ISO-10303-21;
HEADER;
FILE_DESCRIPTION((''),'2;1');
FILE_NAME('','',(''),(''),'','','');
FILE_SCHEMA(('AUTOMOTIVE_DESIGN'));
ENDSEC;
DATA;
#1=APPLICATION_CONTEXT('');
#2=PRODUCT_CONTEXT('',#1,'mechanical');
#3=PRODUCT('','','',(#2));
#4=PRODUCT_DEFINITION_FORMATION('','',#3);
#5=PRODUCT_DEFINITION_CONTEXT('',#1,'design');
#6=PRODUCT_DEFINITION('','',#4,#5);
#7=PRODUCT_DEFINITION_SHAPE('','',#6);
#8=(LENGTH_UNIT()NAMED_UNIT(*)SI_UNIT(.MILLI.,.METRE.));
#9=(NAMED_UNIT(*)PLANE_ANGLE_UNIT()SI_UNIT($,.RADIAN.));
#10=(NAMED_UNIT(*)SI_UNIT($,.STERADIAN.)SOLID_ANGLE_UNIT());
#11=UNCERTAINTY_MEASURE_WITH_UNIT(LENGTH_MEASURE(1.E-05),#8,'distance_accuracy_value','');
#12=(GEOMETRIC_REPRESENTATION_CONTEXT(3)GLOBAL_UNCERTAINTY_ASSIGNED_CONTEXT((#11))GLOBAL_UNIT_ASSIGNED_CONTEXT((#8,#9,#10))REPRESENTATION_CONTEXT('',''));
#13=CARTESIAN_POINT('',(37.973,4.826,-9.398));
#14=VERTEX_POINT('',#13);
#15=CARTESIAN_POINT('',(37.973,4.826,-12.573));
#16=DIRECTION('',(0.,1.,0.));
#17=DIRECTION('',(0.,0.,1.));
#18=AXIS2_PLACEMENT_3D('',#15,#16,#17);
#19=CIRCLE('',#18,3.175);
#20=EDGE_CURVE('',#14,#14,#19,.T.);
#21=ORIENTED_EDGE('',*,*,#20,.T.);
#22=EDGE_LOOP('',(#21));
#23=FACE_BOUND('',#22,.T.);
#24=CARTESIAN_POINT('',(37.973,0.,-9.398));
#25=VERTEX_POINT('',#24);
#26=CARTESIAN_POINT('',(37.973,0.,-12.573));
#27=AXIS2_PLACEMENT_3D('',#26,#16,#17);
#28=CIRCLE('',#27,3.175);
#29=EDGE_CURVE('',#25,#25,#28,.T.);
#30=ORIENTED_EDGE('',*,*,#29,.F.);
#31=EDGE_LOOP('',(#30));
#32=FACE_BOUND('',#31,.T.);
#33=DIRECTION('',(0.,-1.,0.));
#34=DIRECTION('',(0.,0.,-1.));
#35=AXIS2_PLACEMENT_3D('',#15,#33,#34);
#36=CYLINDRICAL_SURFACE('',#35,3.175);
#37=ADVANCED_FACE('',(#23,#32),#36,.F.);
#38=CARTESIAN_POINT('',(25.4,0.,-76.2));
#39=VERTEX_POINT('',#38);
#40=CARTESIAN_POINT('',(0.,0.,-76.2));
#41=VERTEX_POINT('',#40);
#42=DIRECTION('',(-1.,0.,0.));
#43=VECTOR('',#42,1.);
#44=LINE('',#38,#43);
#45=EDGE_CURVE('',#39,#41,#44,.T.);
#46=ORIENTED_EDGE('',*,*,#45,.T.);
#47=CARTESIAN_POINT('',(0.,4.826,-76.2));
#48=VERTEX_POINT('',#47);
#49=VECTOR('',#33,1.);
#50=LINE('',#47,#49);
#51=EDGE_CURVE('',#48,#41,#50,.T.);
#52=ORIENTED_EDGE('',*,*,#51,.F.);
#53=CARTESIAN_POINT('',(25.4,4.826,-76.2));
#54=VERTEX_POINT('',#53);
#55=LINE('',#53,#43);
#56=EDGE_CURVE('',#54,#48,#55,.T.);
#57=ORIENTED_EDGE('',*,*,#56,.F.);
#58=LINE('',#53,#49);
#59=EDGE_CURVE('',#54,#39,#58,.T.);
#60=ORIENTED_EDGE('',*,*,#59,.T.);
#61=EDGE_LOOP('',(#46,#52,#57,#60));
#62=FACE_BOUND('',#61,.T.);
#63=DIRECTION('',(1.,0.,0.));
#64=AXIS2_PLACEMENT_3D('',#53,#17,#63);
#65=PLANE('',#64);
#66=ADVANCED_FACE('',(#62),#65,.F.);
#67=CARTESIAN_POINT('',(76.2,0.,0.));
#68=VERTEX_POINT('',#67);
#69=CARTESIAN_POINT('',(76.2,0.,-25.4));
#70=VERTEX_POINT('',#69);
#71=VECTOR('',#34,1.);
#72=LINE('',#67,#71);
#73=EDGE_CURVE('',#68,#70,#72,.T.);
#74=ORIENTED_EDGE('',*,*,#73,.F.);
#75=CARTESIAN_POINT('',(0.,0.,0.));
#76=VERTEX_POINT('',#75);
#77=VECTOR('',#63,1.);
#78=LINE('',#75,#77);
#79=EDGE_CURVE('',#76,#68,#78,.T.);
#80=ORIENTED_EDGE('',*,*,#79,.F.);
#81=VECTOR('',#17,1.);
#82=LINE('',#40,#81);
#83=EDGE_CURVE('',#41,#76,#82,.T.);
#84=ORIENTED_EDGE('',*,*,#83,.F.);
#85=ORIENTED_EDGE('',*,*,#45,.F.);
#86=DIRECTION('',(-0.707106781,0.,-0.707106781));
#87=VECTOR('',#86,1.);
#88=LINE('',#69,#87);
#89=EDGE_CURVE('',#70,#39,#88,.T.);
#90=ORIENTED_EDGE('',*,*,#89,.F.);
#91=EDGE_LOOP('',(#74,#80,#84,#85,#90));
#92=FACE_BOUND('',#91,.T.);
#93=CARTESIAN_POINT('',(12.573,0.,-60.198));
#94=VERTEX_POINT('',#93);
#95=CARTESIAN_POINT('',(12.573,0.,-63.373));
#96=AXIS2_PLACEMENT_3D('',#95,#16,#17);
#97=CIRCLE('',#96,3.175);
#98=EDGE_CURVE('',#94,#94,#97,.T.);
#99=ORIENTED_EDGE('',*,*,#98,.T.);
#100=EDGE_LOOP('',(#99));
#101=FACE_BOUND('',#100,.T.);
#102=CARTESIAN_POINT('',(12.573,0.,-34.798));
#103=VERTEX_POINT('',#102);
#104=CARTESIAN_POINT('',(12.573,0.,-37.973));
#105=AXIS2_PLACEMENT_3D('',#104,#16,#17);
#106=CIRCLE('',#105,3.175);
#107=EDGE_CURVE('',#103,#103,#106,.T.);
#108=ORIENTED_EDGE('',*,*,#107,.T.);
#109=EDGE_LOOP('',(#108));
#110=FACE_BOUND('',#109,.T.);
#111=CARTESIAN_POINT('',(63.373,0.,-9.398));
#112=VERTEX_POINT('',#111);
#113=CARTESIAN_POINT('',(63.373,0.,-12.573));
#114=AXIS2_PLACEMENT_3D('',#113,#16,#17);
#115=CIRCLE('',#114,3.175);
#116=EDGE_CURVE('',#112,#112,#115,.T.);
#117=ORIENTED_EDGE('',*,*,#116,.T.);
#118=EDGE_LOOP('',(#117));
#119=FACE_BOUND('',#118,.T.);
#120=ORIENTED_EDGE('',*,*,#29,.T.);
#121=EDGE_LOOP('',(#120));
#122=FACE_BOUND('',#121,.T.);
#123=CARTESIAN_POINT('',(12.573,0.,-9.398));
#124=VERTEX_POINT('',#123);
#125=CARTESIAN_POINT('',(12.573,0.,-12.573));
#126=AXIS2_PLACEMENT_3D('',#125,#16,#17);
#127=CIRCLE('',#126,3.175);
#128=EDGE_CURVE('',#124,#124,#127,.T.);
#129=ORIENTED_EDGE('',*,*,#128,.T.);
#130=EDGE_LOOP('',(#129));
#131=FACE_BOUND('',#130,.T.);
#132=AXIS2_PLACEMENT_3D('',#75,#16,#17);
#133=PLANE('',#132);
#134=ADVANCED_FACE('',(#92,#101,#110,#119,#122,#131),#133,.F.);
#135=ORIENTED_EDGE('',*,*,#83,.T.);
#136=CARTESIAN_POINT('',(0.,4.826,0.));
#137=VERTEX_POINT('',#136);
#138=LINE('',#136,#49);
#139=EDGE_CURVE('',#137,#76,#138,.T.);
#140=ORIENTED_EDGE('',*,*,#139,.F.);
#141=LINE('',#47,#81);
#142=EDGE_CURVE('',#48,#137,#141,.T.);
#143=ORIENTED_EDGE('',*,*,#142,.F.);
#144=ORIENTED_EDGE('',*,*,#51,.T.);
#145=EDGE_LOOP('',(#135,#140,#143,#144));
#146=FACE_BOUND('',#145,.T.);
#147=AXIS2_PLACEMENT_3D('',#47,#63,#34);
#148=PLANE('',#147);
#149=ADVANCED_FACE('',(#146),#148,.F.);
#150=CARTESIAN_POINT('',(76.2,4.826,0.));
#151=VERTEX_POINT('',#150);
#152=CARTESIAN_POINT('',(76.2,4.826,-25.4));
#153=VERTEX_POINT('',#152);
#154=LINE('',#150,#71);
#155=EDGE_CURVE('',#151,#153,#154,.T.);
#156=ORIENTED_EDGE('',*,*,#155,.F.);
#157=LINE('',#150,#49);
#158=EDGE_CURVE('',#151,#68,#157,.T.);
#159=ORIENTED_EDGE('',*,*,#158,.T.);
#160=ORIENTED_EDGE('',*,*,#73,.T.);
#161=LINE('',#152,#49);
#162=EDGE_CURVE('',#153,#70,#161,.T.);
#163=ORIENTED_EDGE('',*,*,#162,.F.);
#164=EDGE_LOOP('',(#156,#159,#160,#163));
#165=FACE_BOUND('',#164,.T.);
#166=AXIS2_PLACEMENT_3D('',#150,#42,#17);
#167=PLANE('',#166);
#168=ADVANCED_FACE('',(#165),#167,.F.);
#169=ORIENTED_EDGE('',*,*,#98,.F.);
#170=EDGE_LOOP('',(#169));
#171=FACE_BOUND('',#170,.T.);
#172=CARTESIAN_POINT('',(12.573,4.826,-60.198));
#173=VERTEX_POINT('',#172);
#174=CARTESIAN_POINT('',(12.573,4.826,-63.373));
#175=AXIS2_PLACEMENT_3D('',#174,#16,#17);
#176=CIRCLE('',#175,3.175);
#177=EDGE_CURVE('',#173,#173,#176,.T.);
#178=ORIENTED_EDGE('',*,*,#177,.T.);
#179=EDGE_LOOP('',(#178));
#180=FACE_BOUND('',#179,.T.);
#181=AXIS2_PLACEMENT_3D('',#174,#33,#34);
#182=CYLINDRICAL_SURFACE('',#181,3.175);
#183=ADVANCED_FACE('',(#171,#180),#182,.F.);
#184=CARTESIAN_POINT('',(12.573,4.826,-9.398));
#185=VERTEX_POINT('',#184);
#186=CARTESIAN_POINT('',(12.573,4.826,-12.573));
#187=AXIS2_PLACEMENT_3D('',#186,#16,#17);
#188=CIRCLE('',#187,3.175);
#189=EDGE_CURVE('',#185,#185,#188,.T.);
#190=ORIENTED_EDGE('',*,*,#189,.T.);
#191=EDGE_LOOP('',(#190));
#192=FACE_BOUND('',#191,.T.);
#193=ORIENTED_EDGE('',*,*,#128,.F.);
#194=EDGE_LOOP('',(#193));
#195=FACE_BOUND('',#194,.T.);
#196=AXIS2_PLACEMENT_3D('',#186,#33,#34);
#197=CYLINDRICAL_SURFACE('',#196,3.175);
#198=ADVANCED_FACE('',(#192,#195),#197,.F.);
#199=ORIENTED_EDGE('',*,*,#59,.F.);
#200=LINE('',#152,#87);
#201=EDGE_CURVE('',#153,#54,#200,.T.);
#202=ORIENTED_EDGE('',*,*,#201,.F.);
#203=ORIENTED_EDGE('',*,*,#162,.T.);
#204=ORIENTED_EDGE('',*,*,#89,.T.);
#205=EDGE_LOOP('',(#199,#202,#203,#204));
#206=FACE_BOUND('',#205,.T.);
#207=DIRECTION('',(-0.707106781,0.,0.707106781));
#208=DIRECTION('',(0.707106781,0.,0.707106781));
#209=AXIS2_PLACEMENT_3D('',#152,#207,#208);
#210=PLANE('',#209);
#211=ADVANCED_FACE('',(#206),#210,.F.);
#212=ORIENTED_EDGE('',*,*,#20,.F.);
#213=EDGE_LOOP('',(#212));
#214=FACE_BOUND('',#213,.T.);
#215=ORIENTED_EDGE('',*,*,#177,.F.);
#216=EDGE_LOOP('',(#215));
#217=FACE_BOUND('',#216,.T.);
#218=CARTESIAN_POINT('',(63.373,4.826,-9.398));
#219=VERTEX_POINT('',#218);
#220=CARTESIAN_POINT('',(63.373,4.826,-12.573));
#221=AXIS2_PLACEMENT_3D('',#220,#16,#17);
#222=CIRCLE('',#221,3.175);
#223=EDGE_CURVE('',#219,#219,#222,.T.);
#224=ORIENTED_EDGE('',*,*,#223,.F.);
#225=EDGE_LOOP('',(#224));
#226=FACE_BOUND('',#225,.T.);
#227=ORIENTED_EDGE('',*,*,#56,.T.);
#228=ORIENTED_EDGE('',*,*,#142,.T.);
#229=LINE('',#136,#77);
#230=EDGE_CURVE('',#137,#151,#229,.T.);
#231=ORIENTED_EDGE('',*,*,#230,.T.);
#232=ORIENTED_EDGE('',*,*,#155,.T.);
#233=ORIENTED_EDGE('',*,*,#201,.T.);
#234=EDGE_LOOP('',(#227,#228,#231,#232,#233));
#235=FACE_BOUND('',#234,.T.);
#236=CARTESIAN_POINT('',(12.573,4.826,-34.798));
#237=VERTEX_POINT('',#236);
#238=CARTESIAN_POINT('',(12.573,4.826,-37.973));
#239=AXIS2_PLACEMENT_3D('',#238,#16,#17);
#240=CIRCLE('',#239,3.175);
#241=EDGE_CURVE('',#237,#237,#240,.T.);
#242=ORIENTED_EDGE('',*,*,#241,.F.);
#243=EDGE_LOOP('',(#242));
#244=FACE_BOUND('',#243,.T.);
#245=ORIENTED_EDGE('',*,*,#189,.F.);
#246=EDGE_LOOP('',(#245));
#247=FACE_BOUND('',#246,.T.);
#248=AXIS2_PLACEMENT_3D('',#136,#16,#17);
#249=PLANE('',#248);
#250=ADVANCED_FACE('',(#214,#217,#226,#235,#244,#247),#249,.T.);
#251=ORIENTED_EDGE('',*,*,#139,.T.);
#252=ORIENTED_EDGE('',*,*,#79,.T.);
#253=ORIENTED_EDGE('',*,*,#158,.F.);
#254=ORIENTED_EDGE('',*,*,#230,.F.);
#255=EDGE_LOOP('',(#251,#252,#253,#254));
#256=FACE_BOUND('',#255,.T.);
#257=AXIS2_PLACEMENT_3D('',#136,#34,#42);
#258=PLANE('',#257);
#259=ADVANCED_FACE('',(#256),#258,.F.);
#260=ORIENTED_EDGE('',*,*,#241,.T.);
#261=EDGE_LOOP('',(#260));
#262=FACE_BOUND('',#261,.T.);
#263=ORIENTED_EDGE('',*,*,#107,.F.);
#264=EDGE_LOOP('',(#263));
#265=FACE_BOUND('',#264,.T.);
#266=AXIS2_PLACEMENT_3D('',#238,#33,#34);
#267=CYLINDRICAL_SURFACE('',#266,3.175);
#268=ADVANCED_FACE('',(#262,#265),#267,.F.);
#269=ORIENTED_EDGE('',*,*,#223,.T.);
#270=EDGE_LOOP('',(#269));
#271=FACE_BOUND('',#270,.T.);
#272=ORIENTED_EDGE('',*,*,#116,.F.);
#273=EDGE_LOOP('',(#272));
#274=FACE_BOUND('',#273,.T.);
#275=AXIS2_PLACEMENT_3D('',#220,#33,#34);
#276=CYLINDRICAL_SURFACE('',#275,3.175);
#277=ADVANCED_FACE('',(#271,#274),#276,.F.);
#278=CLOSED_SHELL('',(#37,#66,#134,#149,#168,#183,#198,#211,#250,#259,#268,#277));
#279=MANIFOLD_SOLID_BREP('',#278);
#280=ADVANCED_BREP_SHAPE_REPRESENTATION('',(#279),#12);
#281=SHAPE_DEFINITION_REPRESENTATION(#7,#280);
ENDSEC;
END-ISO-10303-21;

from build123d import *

# Parameters (mm, degrees)
SKETCH1_R           = 3.175
BOSS_EXTRUDE1_DEPTH = 4.826


with BuildPart() as part:
    # Sketch1 → Boss-Extrude1 (new body)
    with BuildSketch(Plane(origin=(0, 0, 0), x_dir=(1, 0, 0), z_dir=(0, 1, 0))):
        Polygon((0, 0), (76.2, 0), (76.2, 25.4), (25.4, 76.2), (0, 76.2), align=None)
        with Locations(Location((12.573, 12.573, 0), (0, 0, 270))):
            Circle(SKETCH1_R, mode=Mode.SUBTRACT)
        with Locations(Location((37.973, 12.573, 0), (0, 0, 270))):
            Circle(SKETCH1_R, mode=Mode.SUBTRACT)
        with Locations(Location((63.373, 12.573, 0), (0, 0, 270))):
            Circle(SKETCH1_R, mode=Mode.SUBTRACT)
        with Locations(Location((12.573, 37.973, 0), (0, 0, 270))):
            Circle(SKETCH1_R, mode=Mode.SUBTRACT)
        with Locations(Location((12.573, 63.373, 0), (0, 0, 270))):
            Circle(SKETCH1_R, mode=Mode.SUBTRACT)
    extrude(amount=BOSS_EXTRUDE1_DEPTH)


solid = part.part
